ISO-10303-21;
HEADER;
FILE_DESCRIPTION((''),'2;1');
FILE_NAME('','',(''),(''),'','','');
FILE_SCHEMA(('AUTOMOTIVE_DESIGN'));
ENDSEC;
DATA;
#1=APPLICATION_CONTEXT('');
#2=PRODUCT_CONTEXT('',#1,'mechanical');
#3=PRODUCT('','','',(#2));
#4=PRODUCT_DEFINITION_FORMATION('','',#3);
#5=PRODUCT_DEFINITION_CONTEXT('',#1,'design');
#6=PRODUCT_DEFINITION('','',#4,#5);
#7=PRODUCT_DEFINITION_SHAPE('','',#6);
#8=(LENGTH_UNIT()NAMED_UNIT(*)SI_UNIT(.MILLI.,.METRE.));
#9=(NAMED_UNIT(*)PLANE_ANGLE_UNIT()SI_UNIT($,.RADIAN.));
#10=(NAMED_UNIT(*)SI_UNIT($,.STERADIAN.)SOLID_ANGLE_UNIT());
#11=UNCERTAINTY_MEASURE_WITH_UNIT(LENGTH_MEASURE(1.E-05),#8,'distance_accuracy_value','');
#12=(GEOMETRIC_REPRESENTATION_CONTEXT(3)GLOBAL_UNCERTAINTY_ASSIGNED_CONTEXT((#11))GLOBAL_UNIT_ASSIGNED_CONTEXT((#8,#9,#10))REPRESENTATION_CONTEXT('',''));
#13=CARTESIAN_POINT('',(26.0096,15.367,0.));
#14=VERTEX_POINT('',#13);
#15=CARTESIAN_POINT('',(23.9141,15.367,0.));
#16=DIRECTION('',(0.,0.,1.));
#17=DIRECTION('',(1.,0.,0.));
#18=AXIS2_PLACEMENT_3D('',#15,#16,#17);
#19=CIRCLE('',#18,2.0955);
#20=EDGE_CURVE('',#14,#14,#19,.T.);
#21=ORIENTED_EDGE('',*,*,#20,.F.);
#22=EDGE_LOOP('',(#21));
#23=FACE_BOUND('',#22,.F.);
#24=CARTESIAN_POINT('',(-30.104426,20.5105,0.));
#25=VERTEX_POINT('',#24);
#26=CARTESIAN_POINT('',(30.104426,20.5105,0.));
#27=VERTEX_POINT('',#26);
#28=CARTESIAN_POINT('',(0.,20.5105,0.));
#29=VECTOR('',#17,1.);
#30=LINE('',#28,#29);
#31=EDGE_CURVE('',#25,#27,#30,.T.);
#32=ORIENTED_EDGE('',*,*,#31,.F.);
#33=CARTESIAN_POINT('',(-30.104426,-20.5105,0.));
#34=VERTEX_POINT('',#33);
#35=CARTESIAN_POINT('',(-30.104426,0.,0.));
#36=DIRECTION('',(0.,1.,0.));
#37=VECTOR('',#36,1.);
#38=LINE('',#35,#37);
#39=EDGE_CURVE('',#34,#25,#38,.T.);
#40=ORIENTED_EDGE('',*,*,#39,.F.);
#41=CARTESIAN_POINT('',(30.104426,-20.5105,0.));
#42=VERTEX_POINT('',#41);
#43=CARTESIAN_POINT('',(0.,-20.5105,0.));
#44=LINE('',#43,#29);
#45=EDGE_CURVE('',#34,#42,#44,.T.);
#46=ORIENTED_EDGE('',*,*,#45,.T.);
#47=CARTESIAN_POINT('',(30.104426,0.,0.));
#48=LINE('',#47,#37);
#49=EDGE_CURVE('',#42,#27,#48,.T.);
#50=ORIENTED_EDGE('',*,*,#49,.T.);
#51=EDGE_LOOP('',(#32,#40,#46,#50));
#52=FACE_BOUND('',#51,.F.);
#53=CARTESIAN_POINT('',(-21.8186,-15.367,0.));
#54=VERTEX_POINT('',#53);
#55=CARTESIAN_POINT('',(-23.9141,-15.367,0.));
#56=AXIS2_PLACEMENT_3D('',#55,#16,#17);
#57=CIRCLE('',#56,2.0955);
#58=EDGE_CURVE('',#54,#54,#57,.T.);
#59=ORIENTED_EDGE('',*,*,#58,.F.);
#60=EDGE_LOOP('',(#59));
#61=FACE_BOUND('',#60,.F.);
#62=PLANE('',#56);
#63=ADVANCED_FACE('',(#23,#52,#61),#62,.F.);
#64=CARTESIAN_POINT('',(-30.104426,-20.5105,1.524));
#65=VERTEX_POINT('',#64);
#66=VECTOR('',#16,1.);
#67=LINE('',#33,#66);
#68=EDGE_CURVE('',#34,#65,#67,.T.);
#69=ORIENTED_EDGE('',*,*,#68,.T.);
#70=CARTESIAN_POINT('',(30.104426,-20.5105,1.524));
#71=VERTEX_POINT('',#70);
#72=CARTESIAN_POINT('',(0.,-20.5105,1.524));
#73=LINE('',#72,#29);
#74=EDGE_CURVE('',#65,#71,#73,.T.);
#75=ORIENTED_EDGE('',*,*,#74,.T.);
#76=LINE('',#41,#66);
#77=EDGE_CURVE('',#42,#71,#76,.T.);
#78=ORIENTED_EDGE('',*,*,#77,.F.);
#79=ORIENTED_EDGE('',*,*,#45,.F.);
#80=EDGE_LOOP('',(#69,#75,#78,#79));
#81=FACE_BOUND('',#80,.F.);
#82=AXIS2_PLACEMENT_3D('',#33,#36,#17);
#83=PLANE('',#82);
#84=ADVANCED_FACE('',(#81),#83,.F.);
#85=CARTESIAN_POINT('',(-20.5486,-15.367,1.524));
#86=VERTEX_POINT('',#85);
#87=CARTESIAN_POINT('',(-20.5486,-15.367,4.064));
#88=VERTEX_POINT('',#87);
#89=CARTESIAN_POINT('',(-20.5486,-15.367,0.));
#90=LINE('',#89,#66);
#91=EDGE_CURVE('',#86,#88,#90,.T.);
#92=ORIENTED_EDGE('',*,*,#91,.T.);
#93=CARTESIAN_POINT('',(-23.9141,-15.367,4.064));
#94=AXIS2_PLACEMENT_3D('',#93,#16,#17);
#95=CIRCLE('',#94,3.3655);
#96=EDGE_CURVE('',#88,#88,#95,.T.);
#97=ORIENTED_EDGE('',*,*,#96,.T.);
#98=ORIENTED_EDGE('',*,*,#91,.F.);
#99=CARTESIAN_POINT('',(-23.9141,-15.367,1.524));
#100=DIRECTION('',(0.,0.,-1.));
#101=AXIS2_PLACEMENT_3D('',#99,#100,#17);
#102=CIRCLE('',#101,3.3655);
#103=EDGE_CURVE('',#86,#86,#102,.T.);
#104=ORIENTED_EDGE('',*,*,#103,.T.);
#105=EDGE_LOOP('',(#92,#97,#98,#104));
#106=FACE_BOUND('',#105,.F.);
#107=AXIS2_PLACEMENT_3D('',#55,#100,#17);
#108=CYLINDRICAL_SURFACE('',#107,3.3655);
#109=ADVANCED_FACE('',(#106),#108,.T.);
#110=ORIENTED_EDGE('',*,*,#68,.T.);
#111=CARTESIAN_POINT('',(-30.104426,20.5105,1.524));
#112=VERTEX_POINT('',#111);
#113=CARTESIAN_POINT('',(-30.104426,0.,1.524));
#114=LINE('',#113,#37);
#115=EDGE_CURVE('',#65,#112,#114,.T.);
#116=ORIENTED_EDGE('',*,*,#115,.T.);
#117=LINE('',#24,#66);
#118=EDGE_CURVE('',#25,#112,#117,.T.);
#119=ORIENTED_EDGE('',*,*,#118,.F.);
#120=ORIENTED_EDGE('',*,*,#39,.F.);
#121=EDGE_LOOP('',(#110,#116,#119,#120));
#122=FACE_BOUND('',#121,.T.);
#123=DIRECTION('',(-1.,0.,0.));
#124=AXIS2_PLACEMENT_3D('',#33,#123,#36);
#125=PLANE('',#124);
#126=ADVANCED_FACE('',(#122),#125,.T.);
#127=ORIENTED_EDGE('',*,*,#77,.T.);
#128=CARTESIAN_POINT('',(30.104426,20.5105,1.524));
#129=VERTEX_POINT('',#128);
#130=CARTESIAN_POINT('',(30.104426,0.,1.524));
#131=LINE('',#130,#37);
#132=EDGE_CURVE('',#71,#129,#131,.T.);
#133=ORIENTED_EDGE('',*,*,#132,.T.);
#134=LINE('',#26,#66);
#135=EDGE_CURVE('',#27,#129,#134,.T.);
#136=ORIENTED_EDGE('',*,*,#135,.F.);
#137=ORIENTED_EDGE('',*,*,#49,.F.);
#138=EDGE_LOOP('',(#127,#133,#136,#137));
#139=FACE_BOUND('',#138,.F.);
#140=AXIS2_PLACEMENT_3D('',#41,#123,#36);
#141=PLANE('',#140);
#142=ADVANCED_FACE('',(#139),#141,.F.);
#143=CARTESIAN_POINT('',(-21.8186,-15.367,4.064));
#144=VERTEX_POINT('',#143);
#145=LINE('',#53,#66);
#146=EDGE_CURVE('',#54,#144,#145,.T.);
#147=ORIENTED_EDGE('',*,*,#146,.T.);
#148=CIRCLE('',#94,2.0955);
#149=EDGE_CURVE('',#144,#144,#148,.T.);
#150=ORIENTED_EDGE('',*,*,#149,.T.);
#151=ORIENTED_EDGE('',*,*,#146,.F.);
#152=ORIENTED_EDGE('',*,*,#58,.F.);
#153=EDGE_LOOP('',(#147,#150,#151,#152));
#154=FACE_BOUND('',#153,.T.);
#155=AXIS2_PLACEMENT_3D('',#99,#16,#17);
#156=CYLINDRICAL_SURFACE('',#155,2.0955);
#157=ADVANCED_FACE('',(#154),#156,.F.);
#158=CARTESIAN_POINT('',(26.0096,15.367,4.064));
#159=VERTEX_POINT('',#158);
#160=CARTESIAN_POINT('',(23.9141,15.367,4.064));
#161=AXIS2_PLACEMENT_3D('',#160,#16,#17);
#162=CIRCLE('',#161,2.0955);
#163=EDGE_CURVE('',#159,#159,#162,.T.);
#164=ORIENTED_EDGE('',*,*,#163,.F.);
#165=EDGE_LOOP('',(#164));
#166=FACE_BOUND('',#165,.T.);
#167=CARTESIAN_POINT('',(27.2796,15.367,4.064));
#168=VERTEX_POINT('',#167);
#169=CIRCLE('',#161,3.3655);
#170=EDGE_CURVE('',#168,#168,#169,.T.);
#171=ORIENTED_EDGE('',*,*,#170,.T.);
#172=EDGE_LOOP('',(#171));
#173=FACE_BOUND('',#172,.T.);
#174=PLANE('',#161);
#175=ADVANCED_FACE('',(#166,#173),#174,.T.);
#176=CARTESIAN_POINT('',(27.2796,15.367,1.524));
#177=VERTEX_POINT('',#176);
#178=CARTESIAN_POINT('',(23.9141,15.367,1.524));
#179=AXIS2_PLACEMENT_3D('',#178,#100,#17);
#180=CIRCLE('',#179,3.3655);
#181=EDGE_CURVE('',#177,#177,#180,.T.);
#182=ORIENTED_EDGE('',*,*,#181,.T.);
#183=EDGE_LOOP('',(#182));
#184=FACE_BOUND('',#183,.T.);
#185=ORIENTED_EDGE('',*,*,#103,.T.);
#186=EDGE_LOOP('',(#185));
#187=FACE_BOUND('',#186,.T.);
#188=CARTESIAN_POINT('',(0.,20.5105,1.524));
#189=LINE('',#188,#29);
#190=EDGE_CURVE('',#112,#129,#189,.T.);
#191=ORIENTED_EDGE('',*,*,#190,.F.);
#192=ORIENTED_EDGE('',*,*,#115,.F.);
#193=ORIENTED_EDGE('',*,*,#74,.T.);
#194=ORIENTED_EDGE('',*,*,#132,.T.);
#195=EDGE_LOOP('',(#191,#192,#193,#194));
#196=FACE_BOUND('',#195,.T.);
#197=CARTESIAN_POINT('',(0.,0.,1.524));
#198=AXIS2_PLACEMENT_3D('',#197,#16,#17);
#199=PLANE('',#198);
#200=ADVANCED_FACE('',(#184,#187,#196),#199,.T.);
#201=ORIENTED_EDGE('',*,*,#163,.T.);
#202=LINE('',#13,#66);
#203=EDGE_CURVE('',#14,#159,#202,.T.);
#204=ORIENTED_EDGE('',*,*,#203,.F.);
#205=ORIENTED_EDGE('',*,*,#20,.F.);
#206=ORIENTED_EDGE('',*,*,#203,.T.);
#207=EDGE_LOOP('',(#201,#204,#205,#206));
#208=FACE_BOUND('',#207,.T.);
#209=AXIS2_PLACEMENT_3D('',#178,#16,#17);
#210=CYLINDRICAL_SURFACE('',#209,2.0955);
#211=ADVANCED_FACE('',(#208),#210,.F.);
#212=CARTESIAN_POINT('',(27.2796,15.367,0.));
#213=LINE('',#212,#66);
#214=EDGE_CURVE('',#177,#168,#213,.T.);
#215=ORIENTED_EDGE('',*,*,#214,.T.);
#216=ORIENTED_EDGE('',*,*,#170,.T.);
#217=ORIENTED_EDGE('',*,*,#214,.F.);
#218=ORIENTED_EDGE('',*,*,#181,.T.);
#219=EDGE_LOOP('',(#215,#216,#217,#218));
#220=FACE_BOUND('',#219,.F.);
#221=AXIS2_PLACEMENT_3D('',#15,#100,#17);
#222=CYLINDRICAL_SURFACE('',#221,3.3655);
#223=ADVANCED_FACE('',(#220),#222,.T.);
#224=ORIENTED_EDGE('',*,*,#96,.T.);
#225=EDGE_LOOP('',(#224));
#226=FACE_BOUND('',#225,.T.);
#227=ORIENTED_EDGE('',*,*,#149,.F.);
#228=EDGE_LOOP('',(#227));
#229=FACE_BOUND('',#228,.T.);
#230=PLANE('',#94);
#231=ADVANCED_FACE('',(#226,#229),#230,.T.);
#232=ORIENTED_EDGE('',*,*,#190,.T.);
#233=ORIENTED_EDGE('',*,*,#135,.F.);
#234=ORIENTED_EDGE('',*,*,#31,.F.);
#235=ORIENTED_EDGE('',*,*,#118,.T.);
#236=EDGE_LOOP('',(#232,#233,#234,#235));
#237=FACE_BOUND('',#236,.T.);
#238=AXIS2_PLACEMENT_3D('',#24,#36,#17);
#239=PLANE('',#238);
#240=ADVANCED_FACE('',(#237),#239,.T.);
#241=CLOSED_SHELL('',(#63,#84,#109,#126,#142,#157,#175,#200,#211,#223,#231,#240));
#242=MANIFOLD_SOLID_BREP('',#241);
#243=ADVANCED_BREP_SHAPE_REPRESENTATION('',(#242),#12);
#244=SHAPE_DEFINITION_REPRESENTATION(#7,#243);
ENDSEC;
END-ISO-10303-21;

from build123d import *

# Parameters (mm, degrees)
F8_W      = 60.2088514067
F8_H      = 41.021
F9_DEPTH  = 1.524
F6_R      = 3.3655
F6_R_2    = 2.0955
F7_R      = 3.3655
F7_R_2    = 2.0955
F10_DEPTH = 4.064
F11_DEPTH = 25.4


with BuildPart() as f9:
    # F8 (on Top) → F9 (new body)
    with BuildSketch(Plane.XY):
        Rectangle(F8_W, F8_H)
    extrude(amount=F9_DEPTH)

    # F6 (on face) + F7 (on face) → F10 (join)
    with BuildSketch(Plane.XY):
        with Locations((-23.9141, -15.367)):
            Circle(F6_R)
        with Locations((-23.9141, -15.367)):
            Circle(F6_R_2, mode=Mode.SUBTRACT)
    with BuildSketch(Plane.XY):
        with Locations((23.9141, 15.367)):
            Circle(F7_R)
        with Locations((23.9141, 15.367)):
            Circle(F7_R_2, mode=Mode.SUBTRACT)
    extrude(amount=F10_DEPTH)

    # F11 (cut): faces of the model
    f11_faces = [f9.faces().sort_by_distance(p)[0] for p in [
        (-23.9141, -15.367, 1.524),
        (23.9141, 15.367, 1.524),
    ]]
    extrude(f11_faces, amount=-F11_DEPTH, mode=Mode.SUBTRACT)


solid = f9.part
